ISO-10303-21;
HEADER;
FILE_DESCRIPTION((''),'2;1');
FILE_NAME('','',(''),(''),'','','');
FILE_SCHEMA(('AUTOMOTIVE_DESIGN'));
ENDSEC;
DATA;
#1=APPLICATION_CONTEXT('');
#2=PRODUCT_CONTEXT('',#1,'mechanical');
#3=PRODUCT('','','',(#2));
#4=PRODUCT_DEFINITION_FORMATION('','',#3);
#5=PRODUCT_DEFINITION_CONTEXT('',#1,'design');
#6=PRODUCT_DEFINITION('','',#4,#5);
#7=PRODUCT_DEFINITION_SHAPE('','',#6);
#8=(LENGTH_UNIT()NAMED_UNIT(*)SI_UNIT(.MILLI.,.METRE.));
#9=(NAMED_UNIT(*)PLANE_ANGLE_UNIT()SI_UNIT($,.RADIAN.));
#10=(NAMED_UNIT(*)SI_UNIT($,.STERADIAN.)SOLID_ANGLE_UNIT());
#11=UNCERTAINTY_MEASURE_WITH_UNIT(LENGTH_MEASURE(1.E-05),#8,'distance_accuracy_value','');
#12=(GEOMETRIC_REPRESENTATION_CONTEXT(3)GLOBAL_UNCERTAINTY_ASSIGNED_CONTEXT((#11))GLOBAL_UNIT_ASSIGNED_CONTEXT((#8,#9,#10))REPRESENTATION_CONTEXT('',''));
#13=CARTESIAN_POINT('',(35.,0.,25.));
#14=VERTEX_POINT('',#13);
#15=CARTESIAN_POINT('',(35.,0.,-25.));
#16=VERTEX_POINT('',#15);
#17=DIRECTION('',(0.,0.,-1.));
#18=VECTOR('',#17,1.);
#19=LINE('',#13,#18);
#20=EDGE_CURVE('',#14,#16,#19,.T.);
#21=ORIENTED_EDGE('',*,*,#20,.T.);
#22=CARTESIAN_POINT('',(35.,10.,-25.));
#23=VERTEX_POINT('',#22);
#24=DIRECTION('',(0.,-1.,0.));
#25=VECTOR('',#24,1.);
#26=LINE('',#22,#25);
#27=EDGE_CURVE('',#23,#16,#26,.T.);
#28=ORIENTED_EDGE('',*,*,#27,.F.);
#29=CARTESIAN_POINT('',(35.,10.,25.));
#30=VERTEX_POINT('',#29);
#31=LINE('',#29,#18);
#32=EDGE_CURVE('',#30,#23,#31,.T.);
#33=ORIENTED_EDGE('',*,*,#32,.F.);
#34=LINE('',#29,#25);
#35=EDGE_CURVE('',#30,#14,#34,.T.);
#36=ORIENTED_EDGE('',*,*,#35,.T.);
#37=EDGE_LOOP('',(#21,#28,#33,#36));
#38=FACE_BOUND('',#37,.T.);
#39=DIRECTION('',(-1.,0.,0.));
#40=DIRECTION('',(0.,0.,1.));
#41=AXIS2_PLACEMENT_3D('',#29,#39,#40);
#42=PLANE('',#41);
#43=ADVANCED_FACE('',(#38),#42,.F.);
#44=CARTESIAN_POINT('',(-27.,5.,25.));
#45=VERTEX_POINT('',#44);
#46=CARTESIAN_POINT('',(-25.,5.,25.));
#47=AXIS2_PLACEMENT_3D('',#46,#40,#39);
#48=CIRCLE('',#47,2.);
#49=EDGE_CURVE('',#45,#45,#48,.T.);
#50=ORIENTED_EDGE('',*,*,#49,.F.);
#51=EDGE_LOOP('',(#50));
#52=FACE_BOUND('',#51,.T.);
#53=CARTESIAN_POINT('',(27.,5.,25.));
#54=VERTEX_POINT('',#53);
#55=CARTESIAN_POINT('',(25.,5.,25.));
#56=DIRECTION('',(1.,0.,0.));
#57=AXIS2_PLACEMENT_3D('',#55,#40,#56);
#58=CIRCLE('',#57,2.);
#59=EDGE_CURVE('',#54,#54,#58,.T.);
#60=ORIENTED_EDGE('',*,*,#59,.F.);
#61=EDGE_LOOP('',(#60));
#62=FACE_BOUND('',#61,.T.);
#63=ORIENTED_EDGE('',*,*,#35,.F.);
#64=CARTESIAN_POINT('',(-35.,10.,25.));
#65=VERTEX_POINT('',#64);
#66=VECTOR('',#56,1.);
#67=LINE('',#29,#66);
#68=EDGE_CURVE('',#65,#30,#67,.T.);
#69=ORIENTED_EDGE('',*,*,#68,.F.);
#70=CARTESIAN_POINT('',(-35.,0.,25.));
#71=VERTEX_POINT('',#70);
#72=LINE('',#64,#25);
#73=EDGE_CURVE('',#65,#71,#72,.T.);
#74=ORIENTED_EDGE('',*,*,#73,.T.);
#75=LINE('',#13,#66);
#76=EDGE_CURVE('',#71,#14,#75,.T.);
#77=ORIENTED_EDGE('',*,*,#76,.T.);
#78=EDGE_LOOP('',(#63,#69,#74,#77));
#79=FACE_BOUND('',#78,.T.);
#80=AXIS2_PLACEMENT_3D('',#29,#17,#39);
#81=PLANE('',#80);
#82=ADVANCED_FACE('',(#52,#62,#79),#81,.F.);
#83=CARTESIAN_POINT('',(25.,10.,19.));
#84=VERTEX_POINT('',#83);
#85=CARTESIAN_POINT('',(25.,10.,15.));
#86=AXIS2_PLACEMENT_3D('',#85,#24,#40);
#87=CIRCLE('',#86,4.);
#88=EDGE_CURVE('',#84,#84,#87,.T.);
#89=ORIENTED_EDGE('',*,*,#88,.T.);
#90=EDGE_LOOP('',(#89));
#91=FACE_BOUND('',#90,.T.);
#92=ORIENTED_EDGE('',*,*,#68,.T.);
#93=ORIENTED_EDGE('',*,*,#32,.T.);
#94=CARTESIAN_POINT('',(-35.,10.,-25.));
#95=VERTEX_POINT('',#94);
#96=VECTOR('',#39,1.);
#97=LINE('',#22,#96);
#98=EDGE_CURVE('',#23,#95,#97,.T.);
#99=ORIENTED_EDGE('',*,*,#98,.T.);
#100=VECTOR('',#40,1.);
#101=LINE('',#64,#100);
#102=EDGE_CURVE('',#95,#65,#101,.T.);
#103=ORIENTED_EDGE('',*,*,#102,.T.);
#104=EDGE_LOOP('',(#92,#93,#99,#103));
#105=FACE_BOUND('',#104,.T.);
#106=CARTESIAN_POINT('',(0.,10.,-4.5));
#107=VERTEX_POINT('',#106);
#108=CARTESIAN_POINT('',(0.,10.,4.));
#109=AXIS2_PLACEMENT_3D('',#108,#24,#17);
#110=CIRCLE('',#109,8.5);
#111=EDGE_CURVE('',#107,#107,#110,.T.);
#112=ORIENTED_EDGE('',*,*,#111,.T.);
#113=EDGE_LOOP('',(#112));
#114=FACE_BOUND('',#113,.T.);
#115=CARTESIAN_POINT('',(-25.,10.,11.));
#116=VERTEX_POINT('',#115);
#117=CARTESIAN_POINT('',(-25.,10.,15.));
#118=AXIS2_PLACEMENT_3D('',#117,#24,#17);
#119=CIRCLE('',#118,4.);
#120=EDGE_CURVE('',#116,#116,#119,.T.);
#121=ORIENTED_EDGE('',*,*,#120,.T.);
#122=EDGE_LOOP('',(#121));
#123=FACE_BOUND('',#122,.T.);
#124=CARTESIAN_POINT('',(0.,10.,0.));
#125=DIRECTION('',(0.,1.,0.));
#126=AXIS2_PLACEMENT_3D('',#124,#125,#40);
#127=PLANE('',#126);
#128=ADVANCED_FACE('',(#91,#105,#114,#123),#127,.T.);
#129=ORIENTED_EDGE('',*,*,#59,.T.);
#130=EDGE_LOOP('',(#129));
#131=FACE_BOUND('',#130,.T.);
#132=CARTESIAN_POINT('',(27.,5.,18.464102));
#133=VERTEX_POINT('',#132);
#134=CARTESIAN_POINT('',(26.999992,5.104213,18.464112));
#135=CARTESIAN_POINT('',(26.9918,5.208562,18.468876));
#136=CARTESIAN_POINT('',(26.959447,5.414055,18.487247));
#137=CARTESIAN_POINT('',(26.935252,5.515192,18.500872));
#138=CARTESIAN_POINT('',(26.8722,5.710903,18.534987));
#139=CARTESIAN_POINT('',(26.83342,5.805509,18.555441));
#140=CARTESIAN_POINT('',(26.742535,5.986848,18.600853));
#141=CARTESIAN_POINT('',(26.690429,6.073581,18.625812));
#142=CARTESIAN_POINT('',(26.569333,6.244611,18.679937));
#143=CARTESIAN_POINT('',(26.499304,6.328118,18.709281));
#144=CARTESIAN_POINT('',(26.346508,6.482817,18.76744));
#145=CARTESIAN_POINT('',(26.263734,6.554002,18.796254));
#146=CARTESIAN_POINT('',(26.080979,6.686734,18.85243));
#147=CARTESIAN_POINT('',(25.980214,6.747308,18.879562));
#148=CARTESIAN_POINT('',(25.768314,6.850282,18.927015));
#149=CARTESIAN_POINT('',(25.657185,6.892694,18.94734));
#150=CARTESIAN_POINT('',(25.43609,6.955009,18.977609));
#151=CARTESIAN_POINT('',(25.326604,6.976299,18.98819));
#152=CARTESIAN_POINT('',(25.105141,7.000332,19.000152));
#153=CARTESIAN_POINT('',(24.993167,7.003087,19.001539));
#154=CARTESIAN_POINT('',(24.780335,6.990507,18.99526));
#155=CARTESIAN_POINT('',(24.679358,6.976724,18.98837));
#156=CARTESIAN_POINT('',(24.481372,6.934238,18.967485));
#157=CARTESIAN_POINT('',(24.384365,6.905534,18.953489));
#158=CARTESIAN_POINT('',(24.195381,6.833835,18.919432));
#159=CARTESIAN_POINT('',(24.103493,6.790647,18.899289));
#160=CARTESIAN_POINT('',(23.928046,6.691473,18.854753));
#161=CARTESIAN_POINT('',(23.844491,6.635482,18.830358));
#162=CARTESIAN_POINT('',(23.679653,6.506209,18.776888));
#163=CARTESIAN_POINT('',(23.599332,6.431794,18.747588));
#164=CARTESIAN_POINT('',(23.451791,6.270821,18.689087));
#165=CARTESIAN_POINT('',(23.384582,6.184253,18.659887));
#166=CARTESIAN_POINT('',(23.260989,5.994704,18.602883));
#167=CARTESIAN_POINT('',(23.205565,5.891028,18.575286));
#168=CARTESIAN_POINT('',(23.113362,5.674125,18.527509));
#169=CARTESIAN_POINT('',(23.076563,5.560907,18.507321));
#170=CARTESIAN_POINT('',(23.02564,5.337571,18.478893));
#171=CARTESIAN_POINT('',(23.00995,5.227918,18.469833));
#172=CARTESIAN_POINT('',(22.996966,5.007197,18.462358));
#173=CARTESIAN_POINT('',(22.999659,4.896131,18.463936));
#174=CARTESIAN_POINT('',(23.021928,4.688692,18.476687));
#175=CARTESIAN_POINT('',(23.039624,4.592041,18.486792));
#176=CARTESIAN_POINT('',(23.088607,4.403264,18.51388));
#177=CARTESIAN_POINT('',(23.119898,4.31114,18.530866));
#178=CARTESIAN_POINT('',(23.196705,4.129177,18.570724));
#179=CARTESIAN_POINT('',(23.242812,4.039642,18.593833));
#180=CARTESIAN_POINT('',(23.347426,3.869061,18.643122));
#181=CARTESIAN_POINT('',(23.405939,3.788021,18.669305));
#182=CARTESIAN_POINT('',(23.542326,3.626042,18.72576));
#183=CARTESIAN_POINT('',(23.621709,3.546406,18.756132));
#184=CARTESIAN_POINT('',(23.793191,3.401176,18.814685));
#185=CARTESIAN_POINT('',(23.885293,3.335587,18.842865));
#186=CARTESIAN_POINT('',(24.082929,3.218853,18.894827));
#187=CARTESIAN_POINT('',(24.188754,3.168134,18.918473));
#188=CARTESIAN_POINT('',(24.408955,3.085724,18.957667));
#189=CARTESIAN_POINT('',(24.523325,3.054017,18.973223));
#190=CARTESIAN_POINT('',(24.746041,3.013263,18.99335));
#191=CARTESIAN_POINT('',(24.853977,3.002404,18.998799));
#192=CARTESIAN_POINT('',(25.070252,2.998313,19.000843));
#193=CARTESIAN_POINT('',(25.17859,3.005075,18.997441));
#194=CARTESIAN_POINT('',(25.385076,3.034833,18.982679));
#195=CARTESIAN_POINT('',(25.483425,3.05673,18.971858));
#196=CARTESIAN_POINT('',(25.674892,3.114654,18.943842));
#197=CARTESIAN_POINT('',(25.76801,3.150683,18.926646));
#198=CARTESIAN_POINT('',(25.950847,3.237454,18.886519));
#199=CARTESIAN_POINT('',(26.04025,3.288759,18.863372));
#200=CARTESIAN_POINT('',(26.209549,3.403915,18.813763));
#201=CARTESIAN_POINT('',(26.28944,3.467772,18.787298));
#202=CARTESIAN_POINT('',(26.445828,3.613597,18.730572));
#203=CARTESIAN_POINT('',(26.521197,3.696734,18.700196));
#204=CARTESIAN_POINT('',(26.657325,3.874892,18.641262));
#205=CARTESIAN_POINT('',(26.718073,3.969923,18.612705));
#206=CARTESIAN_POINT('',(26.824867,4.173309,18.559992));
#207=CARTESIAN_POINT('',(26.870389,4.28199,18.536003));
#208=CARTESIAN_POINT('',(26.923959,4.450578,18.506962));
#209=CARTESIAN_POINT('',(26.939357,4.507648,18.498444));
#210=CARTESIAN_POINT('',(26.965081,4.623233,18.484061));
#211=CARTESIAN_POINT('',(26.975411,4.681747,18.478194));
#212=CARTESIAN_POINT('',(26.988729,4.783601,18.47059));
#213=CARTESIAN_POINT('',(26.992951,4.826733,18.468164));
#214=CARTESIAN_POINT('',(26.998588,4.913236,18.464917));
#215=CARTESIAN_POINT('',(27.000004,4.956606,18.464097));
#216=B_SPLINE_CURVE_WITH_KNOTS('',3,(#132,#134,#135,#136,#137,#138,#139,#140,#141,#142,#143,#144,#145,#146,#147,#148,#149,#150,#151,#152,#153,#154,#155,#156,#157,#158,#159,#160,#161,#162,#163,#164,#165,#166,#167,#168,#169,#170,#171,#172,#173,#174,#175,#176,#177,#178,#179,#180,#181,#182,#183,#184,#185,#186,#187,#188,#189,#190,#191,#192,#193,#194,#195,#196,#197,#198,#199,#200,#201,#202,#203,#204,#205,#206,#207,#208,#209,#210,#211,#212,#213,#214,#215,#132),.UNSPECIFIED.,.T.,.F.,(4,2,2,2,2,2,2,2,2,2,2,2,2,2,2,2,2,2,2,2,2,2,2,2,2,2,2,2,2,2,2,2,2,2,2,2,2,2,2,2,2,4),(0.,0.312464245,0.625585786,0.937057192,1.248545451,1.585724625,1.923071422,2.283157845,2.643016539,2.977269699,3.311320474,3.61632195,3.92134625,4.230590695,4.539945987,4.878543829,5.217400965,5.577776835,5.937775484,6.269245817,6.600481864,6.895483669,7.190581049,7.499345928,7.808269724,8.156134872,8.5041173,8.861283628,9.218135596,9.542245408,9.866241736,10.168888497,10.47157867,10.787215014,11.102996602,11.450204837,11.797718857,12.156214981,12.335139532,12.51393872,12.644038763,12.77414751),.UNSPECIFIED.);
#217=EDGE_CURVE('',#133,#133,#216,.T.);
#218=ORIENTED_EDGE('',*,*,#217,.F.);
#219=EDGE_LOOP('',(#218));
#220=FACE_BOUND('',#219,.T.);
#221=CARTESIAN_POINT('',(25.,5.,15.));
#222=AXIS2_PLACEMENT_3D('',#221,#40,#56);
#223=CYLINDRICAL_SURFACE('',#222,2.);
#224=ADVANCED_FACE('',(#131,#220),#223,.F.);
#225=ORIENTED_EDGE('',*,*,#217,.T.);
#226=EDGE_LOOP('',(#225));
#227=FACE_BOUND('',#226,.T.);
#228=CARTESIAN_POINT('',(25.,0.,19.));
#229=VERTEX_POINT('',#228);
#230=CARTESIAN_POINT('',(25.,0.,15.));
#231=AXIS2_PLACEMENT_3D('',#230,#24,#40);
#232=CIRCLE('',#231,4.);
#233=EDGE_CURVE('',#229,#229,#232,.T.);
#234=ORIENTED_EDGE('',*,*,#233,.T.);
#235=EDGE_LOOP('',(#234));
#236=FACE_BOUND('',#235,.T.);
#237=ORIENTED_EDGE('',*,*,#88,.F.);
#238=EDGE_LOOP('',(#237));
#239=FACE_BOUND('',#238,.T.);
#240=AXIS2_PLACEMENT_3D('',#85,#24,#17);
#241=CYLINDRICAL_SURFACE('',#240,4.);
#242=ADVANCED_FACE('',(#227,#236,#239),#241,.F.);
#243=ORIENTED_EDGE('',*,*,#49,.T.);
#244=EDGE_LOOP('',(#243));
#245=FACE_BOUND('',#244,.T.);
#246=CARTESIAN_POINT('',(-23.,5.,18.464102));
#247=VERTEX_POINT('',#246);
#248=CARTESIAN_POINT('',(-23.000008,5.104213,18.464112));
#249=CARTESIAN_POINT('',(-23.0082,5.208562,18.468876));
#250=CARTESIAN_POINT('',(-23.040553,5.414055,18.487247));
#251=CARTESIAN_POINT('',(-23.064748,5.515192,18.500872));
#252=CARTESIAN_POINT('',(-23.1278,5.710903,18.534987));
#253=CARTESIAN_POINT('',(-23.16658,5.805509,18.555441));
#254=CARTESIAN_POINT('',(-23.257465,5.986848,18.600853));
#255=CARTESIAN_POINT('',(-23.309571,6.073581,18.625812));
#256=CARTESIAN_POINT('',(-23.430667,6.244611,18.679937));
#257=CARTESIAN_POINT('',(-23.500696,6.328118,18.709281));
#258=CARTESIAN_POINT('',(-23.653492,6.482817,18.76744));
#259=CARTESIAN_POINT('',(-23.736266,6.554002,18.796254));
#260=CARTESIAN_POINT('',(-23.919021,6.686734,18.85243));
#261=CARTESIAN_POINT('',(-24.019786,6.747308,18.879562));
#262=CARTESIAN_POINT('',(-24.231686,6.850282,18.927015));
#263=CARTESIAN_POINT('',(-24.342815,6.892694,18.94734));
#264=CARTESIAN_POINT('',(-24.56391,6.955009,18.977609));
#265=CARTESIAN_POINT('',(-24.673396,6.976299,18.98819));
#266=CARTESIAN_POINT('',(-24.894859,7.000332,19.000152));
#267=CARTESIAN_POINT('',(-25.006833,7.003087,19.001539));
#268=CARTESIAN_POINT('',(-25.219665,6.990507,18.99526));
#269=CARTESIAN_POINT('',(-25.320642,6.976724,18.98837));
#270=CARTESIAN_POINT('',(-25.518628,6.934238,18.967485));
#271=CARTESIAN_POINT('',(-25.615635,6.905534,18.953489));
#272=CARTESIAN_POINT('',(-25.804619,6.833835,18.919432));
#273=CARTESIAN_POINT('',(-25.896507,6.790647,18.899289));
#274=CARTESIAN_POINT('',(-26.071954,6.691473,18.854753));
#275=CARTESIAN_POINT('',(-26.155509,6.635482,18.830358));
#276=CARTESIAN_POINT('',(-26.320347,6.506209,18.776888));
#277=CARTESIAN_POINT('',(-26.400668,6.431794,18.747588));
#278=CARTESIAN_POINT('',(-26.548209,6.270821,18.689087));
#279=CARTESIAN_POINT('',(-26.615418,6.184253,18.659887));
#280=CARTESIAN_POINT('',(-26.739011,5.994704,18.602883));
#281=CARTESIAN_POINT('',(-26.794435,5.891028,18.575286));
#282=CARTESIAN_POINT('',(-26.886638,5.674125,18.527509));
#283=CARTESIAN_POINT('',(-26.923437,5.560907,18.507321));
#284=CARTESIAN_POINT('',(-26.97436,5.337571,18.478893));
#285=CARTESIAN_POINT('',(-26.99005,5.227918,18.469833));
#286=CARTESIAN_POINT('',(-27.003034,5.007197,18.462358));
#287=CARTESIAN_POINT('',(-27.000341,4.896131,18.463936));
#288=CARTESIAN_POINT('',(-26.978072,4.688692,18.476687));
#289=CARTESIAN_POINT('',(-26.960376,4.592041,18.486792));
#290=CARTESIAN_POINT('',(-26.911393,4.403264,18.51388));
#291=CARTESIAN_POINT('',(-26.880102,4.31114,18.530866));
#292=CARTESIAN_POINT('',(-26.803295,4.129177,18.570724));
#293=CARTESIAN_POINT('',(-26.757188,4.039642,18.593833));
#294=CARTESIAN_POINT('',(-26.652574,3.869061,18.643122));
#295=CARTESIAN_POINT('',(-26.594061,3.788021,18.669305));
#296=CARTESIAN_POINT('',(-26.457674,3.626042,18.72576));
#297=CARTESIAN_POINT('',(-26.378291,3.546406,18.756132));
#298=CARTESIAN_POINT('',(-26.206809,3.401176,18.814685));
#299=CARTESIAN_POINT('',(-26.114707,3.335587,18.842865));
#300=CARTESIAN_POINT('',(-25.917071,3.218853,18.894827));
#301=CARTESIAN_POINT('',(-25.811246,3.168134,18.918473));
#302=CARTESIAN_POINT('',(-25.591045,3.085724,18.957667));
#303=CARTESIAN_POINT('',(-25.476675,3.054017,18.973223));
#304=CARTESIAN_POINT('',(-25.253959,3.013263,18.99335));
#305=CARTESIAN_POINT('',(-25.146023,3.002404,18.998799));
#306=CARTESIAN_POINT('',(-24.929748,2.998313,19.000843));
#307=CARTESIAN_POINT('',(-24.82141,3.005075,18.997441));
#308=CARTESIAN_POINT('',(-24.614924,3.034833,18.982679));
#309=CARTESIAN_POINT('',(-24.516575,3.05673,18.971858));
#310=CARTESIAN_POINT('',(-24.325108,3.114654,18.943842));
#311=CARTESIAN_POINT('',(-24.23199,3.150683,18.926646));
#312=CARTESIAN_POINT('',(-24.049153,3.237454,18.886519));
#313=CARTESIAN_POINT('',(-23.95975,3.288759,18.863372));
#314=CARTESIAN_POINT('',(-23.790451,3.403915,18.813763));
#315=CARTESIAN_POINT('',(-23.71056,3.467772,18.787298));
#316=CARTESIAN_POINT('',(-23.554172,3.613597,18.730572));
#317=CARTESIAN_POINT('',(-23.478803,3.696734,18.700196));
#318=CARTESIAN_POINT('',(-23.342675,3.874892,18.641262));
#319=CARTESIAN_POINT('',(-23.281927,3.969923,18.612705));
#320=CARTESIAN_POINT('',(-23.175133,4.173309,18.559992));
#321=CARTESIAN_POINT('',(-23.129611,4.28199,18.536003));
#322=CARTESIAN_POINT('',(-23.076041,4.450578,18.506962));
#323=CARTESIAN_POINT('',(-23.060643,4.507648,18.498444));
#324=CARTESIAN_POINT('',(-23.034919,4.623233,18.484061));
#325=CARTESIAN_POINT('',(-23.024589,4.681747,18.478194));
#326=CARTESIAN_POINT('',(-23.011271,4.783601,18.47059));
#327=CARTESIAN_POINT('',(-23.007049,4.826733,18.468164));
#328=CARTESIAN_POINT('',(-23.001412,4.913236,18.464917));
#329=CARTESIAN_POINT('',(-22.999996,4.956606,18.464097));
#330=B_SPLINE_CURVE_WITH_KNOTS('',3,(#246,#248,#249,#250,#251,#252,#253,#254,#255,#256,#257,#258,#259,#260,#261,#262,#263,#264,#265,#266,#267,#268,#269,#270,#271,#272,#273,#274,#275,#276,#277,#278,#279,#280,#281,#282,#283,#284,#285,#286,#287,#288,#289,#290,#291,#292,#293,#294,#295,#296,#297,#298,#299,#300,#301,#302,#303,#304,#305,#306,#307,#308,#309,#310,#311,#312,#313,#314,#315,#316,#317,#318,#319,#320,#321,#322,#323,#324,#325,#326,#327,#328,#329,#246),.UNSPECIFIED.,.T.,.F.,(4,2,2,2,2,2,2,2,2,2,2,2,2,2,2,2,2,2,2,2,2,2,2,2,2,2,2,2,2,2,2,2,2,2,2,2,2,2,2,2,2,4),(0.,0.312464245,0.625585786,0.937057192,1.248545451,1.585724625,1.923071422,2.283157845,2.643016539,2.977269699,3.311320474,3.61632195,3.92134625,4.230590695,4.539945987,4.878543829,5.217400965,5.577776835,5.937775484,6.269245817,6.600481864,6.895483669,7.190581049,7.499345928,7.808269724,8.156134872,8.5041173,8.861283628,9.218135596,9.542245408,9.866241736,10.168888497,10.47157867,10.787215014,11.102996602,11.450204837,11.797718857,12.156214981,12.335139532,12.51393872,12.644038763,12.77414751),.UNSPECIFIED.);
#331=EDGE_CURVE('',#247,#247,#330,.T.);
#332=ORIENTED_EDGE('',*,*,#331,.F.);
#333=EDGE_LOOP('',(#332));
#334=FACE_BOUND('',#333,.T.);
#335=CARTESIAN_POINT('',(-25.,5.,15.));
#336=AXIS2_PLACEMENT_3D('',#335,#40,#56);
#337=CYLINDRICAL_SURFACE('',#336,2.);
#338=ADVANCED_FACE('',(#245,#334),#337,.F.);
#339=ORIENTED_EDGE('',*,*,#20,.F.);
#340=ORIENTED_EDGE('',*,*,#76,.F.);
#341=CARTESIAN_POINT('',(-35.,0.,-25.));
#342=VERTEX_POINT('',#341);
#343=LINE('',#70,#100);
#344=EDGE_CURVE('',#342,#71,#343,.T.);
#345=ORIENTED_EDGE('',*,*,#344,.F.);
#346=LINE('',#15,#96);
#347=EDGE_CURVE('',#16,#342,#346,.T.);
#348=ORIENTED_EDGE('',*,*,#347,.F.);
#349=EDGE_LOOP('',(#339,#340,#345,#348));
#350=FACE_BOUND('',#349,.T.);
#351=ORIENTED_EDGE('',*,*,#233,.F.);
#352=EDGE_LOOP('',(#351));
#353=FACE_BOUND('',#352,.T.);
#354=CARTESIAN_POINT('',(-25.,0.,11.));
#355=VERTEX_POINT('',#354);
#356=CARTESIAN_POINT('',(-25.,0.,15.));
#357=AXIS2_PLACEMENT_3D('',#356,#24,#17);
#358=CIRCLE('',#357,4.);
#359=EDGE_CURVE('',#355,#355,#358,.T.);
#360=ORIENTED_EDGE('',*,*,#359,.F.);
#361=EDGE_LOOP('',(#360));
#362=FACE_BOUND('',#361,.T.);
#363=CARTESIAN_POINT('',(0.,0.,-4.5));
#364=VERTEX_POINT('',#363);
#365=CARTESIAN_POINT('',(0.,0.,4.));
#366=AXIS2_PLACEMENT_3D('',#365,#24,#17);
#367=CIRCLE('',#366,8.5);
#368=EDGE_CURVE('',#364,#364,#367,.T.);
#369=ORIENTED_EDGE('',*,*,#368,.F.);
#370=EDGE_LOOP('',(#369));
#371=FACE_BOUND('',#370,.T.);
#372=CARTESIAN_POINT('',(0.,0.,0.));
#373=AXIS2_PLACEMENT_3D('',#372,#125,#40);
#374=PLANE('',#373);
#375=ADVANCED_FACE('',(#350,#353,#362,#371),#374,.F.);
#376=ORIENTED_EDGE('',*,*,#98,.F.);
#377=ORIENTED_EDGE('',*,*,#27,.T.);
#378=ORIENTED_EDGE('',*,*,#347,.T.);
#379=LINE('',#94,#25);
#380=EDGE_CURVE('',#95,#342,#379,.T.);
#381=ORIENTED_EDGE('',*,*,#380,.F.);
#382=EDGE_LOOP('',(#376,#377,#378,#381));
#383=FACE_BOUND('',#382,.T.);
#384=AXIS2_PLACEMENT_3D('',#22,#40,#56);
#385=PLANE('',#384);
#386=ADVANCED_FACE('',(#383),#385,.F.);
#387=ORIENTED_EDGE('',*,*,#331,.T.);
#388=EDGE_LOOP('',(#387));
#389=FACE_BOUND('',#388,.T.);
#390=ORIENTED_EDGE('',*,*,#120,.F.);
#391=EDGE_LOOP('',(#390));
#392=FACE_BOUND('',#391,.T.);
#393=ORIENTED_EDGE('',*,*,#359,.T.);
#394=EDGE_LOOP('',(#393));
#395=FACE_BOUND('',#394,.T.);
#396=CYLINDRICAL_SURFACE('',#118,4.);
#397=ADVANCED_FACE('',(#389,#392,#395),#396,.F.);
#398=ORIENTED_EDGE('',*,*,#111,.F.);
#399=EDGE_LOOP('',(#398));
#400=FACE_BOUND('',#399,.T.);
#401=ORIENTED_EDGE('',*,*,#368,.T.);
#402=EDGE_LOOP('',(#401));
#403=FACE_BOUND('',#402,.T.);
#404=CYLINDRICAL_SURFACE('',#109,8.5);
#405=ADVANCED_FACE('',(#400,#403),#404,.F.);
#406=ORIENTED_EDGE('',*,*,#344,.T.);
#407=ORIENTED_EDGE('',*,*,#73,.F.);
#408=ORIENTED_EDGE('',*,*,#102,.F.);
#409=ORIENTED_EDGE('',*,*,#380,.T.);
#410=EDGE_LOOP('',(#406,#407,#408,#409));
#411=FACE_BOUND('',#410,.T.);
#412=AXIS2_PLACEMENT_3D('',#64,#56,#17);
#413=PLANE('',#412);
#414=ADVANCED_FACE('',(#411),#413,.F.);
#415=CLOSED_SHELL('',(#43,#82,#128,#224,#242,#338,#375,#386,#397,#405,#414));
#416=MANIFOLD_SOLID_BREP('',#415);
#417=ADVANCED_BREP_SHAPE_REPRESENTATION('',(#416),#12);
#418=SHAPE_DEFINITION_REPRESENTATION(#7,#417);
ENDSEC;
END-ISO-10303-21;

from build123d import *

# Parameters (mm, degrees)
SKETCH2_W           = 70
SKETCH2_H           = 50
BOSS_EXTRUDE1_DEPTH = 10
SKETCH3_R           = 4
CUT_EXTRUDE1_DEPTH  = 11
SKETCH4_R           = 2
CUT_EXTRUDE2_DEPTH  = 10
SKETCH5_R           = 8.5
CUT_EXTRUDE3_DEPTH  = 11.0000001


with BuildPart() as part:
    # Sketch2 → Boss-Extrude1 (new body)
    with BuildSketch(Plane(origin=(0, 0, 0), x_dir=(1, 0, 0), z_dir=(0, 1, 0))):
        Rectangle(SKETCH2_W, SKETCH2_H)
    extrude(amount=BOSS_EXTRUDE1_DEPTH)

    # Sketch3 → Cut-Extrude1 (cut, through all)
    with BuildSketch(Plane.XZ):
        with Locations((-25, 15)):
            Circle(SKETCH3_R)
        with Locations((25, 15)):
            Circle(SKETCH3_R)
    extrude(amount=-CUT_EXTRUDE1_DEPTH, mode=Mode.SUBTRACT)

    # Sketch4 → Cut-Extrude2 (cut)
    with BuildSketch(Plane.XY.offset(25)):
        with Locations((25, 5)):
            Circle(SKETCH4_R)
        with Locations((-25, 5)):
            Circle(SKETCH4_R)
    extrude(amount=-CUT_EXTRUDE2_DEPTH, mode=Mode.SUBTRACT)

    # Sketch5 → Cut-Extrude3 (cut, through all)
    with BuildSketch(Plane.XZ):
        with Locations((0, 4)):
            Circle(SKETCH5_R)
    extrude(amount=-CUT_EXTRUDE3_DEPTH, mode=Mode.SUBTRACT)


solid = part.part
